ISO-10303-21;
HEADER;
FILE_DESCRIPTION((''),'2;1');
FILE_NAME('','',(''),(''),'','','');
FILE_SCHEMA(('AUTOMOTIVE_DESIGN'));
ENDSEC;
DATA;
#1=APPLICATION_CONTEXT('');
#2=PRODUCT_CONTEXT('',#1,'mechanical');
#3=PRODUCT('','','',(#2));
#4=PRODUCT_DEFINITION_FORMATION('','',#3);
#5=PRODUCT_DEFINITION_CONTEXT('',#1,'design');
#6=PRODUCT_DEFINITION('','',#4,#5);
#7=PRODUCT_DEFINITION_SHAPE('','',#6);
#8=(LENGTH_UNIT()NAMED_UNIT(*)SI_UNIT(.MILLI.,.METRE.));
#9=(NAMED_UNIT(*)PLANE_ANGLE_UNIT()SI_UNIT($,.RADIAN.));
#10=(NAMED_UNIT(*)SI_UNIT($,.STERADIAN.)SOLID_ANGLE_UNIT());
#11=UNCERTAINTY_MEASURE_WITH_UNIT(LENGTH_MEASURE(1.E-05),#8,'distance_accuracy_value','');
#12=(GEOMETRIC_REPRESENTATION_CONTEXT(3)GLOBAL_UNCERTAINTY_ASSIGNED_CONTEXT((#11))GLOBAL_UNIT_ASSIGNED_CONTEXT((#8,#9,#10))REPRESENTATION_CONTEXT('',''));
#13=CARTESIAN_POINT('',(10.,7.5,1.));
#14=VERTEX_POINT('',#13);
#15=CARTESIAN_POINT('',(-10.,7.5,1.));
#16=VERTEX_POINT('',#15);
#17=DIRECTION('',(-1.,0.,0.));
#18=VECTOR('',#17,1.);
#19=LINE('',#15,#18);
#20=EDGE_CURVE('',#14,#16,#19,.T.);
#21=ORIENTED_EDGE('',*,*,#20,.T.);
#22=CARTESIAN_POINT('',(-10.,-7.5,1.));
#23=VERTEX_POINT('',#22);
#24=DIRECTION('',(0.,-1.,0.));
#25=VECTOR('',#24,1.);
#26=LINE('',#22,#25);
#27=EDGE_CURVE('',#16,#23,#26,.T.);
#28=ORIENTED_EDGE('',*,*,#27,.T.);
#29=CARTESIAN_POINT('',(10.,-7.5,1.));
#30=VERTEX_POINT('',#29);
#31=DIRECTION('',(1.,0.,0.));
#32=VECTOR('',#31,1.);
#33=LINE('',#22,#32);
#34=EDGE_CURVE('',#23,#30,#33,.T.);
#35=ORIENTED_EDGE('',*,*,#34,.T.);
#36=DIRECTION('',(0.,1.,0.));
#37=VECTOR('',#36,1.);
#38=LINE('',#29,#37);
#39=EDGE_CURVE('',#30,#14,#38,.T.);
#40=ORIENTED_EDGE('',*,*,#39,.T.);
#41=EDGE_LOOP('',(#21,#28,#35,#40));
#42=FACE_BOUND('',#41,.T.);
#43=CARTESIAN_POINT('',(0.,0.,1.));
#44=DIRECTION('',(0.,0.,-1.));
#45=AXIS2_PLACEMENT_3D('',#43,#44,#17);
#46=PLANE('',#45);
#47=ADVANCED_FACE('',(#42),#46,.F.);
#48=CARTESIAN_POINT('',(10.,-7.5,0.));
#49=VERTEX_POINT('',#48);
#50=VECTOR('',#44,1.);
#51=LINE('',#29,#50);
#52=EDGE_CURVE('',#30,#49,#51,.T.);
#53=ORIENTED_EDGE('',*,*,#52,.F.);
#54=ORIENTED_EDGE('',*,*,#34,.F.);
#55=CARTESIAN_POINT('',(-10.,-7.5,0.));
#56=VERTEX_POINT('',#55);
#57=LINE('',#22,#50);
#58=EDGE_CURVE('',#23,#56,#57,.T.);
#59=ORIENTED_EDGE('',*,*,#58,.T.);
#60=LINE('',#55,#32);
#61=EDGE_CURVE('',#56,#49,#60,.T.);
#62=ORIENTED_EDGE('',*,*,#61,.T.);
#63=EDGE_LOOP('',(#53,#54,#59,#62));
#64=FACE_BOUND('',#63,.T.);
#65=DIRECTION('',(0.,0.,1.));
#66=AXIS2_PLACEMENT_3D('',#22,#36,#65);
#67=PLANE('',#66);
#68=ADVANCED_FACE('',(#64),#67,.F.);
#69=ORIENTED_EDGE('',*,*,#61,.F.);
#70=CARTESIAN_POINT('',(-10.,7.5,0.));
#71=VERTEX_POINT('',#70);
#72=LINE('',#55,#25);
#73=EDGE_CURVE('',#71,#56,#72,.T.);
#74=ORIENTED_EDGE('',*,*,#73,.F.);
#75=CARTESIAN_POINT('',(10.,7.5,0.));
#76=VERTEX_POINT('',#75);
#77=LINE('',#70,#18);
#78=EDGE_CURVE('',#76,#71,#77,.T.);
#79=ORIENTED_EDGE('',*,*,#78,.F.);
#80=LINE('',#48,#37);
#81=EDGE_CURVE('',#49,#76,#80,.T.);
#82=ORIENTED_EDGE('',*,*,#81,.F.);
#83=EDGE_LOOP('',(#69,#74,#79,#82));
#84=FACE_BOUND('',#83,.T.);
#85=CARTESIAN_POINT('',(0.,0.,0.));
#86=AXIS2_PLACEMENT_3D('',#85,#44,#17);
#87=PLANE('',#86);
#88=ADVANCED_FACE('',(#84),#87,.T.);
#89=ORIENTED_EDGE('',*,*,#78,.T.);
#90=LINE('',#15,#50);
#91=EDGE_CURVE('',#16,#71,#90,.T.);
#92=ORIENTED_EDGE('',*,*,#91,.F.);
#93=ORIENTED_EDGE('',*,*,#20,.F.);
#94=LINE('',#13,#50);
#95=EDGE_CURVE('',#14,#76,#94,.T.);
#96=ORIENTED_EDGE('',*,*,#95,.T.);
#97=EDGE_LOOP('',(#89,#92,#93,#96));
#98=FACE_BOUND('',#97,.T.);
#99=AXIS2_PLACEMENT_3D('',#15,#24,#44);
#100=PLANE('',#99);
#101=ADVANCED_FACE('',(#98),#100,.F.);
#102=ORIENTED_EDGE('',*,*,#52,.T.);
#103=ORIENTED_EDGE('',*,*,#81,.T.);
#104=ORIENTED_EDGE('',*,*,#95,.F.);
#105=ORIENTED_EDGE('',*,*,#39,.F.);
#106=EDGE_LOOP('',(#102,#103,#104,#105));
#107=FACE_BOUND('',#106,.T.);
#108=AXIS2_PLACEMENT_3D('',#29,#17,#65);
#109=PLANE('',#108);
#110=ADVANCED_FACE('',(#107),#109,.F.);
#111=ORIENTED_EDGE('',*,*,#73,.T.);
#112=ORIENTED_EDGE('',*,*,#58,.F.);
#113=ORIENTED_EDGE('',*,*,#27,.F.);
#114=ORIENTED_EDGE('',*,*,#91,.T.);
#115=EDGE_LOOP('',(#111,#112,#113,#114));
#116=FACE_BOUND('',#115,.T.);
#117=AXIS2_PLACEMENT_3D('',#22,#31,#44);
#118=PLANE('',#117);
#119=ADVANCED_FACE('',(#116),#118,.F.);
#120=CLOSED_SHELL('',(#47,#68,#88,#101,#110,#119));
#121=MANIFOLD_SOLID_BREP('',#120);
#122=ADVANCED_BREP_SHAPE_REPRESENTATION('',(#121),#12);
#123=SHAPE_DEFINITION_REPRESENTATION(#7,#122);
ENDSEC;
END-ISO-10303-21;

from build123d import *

# Parameters (mm, degrees)
SKETCH1_W           = 20
SKETCH1_H           = 15
BOSS_EXTRUDE1_DEPTH = 1


with BuildPart() as part:
    # Sketch1 → Boss-Extrude1 (new body)
    with BuildSketch(Plane.XY):
        Rectangle(SKETCH1_W, SKETCH1_H)
    extrude(amount=BOSS_EXTRUDE1_DEPTH)


solid = part.part
